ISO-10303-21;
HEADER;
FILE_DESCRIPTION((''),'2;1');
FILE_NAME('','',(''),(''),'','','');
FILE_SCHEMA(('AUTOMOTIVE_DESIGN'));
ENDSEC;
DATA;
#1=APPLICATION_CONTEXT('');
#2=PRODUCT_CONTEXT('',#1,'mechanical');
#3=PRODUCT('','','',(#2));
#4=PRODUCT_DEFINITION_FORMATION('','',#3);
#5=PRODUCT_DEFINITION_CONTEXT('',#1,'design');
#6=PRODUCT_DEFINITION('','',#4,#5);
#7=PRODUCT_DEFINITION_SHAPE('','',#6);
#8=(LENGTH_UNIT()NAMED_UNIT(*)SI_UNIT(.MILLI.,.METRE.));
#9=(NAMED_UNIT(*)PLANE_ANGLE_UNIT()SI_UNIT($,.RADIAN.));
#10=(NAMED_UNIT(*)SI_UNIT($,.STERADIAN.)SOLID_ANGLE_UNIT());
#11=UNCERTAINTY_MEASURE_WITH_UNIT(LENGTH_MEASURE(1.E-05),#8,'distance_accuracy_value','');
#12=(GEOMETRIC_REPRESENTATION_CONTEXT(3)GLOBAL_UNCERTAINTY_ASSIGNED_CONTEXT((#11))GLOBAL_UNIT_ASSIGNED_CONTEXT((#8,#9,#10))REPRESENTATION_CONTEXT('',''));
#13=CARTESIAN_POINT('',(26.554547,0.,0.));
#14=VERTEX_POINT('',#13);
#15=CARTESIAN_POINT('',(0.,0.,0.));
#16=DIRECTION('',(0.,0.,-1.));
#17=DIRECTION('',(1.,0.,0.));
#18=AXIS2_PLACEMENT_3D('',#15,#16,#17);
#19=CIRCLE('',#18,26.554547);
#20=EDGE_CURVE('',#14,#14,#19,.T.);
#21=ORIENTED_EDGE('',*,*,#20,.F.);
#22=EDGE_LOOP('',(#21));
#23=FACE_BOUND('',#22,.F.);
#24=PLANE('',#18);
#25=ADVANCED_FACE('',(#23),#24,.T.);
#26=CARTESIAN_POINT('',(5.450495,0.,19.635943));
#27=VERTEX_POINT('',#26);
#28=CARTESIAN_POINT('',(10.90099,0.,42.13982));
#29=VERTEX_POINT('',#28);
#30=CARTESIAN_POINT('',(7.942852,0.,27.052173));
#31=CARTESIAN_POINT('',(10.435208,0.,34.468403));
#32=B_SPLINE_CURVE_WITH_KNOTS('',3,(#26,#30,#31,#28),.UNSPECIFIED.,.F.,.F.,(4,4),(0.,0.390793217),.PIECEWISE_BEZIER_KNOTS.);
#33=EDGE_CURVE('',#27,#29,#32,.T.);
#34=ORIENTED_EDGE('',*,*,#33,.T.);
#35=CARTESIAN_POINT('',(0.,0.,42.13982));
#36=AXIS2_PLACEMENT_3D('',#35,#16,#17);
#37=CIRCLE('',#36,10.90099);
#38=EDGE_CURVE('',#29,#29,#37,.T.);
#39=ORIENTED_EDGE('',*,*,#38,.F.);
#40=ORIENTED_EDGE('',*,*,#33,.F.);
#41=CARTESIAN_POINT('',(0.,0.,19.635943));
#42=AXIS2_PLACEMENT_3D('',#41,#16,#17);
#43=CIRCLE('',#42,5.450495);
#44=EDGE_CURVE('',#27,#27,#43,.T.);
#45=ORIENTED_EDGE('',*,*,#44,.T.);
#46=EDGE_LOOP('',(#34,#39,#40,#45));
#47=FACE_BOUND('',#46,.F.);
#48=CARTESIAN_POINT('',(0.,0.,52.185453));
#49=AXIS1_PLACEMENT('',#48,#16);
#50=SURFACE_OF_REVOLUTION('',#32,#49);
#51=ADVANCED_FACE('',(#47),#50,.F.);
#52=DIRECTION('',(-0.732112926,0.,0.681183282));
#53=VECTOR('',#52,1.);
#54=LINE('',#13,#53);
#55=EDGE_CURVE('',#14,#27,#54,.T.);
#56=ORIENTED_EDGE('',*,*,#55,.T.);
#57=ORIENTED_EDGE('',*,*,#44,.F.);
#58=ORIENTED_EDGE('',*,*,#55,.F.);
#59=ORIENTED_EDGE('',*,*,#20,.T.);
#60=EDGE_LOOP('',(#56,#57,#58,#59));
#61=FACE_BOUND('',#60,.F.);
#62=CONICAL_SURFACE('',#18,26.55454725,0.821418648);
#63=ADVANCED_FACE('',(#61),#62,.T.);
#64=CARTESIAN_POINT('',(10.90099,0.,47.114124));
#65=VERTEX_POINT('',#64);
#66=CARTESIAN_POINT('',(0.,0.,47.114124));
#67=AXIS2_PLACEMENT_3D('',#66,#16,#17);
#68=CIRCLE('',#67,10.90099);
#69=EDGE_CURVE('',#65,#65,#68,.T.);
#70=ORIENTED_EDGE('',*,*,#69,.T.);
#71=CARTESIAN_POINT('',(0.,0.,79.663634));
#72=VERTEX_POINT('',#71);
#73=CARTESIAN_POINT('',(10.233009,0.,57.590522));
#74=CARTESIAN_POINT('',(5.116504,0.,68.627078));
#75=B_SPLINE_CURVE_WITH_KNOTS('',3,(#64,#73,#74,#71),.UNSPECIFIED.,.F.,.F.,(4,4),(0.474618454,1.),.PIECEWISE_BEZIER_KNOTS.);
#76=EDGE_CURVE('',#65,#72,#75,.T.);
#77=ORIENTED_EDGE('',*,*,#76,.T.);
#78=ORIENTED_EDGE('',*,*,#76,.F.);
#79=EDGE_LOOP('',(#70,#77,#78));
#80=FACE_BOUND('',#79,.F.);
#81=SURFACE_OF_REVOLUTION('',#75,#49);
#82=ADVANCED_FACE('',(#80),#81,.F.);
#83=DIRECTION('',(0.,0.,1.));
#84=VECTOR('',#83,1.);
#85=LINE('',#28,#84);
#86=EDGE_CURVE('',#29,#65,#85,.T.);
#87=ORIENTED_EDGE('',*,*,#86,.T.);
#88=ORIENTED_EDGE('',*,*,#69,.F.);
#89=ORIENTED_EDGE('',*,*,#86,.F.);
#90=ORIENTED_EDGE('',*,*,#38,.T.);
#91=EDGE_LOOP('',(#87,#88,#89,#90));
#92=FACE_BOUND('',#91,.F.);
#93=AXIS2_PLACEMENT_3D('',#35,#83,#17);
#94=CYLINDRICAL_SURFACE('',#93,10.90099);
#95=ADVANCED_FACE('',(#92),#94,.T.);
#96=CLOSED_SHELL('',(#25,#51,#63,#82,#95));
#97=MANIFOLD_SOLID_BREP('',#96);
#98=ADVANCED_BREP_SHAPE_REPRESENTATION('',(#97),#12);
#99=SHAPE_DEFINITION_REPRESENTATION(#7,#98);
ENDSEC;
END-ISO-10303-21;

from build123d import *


with BuildPart() as f1:
    # F0 (on Front) → F1 (revolve)
    with BuildSketch(Plane.XZ):
        with BuildLine():
            Line((0, 79.6636343002), (0, 24.7072726488))
            Line((0, 24.7072726488), (5.450495162, 19.6359427267))
            add(Edge.make_bspline(
                [(5.450495162, 19.6359427267), (7.9428517961, 27.0521729218), (10.4352084301, 34.468403117), (10.9009903241, 42.1398195644)],
                knots=[0, 0, 0, 0, 0.3907932174, 0.3907932174, 0.3907932174, 0.3907932174], degree=3))
            Line((10.9009903241, 42.1398195644), (10.9009903241, 47.1141235524))
            add(Edge.make_bspline(
                [(10.9009903241, 47.1141235524), (10.2330087517, 57.5905218645), (5.1165043759, 68.6270780824), (0, 79.6636343002)],
                knots=[0.474618454, 0.474618454, 0.474618454, 0.474618454, 1, 1, 1, 1], degree=3))
        make_face()
        Polygon((0, 24.7072726488), (0, 0), (26.5545472503, 0), (10.9009903241, 14.5646128045), (5.450495162, 19.6359427267), align=None)
    revolve(axis=Axis((0, 0, 52.1854534745), (0, 0, -1)))


solid = f1.part
